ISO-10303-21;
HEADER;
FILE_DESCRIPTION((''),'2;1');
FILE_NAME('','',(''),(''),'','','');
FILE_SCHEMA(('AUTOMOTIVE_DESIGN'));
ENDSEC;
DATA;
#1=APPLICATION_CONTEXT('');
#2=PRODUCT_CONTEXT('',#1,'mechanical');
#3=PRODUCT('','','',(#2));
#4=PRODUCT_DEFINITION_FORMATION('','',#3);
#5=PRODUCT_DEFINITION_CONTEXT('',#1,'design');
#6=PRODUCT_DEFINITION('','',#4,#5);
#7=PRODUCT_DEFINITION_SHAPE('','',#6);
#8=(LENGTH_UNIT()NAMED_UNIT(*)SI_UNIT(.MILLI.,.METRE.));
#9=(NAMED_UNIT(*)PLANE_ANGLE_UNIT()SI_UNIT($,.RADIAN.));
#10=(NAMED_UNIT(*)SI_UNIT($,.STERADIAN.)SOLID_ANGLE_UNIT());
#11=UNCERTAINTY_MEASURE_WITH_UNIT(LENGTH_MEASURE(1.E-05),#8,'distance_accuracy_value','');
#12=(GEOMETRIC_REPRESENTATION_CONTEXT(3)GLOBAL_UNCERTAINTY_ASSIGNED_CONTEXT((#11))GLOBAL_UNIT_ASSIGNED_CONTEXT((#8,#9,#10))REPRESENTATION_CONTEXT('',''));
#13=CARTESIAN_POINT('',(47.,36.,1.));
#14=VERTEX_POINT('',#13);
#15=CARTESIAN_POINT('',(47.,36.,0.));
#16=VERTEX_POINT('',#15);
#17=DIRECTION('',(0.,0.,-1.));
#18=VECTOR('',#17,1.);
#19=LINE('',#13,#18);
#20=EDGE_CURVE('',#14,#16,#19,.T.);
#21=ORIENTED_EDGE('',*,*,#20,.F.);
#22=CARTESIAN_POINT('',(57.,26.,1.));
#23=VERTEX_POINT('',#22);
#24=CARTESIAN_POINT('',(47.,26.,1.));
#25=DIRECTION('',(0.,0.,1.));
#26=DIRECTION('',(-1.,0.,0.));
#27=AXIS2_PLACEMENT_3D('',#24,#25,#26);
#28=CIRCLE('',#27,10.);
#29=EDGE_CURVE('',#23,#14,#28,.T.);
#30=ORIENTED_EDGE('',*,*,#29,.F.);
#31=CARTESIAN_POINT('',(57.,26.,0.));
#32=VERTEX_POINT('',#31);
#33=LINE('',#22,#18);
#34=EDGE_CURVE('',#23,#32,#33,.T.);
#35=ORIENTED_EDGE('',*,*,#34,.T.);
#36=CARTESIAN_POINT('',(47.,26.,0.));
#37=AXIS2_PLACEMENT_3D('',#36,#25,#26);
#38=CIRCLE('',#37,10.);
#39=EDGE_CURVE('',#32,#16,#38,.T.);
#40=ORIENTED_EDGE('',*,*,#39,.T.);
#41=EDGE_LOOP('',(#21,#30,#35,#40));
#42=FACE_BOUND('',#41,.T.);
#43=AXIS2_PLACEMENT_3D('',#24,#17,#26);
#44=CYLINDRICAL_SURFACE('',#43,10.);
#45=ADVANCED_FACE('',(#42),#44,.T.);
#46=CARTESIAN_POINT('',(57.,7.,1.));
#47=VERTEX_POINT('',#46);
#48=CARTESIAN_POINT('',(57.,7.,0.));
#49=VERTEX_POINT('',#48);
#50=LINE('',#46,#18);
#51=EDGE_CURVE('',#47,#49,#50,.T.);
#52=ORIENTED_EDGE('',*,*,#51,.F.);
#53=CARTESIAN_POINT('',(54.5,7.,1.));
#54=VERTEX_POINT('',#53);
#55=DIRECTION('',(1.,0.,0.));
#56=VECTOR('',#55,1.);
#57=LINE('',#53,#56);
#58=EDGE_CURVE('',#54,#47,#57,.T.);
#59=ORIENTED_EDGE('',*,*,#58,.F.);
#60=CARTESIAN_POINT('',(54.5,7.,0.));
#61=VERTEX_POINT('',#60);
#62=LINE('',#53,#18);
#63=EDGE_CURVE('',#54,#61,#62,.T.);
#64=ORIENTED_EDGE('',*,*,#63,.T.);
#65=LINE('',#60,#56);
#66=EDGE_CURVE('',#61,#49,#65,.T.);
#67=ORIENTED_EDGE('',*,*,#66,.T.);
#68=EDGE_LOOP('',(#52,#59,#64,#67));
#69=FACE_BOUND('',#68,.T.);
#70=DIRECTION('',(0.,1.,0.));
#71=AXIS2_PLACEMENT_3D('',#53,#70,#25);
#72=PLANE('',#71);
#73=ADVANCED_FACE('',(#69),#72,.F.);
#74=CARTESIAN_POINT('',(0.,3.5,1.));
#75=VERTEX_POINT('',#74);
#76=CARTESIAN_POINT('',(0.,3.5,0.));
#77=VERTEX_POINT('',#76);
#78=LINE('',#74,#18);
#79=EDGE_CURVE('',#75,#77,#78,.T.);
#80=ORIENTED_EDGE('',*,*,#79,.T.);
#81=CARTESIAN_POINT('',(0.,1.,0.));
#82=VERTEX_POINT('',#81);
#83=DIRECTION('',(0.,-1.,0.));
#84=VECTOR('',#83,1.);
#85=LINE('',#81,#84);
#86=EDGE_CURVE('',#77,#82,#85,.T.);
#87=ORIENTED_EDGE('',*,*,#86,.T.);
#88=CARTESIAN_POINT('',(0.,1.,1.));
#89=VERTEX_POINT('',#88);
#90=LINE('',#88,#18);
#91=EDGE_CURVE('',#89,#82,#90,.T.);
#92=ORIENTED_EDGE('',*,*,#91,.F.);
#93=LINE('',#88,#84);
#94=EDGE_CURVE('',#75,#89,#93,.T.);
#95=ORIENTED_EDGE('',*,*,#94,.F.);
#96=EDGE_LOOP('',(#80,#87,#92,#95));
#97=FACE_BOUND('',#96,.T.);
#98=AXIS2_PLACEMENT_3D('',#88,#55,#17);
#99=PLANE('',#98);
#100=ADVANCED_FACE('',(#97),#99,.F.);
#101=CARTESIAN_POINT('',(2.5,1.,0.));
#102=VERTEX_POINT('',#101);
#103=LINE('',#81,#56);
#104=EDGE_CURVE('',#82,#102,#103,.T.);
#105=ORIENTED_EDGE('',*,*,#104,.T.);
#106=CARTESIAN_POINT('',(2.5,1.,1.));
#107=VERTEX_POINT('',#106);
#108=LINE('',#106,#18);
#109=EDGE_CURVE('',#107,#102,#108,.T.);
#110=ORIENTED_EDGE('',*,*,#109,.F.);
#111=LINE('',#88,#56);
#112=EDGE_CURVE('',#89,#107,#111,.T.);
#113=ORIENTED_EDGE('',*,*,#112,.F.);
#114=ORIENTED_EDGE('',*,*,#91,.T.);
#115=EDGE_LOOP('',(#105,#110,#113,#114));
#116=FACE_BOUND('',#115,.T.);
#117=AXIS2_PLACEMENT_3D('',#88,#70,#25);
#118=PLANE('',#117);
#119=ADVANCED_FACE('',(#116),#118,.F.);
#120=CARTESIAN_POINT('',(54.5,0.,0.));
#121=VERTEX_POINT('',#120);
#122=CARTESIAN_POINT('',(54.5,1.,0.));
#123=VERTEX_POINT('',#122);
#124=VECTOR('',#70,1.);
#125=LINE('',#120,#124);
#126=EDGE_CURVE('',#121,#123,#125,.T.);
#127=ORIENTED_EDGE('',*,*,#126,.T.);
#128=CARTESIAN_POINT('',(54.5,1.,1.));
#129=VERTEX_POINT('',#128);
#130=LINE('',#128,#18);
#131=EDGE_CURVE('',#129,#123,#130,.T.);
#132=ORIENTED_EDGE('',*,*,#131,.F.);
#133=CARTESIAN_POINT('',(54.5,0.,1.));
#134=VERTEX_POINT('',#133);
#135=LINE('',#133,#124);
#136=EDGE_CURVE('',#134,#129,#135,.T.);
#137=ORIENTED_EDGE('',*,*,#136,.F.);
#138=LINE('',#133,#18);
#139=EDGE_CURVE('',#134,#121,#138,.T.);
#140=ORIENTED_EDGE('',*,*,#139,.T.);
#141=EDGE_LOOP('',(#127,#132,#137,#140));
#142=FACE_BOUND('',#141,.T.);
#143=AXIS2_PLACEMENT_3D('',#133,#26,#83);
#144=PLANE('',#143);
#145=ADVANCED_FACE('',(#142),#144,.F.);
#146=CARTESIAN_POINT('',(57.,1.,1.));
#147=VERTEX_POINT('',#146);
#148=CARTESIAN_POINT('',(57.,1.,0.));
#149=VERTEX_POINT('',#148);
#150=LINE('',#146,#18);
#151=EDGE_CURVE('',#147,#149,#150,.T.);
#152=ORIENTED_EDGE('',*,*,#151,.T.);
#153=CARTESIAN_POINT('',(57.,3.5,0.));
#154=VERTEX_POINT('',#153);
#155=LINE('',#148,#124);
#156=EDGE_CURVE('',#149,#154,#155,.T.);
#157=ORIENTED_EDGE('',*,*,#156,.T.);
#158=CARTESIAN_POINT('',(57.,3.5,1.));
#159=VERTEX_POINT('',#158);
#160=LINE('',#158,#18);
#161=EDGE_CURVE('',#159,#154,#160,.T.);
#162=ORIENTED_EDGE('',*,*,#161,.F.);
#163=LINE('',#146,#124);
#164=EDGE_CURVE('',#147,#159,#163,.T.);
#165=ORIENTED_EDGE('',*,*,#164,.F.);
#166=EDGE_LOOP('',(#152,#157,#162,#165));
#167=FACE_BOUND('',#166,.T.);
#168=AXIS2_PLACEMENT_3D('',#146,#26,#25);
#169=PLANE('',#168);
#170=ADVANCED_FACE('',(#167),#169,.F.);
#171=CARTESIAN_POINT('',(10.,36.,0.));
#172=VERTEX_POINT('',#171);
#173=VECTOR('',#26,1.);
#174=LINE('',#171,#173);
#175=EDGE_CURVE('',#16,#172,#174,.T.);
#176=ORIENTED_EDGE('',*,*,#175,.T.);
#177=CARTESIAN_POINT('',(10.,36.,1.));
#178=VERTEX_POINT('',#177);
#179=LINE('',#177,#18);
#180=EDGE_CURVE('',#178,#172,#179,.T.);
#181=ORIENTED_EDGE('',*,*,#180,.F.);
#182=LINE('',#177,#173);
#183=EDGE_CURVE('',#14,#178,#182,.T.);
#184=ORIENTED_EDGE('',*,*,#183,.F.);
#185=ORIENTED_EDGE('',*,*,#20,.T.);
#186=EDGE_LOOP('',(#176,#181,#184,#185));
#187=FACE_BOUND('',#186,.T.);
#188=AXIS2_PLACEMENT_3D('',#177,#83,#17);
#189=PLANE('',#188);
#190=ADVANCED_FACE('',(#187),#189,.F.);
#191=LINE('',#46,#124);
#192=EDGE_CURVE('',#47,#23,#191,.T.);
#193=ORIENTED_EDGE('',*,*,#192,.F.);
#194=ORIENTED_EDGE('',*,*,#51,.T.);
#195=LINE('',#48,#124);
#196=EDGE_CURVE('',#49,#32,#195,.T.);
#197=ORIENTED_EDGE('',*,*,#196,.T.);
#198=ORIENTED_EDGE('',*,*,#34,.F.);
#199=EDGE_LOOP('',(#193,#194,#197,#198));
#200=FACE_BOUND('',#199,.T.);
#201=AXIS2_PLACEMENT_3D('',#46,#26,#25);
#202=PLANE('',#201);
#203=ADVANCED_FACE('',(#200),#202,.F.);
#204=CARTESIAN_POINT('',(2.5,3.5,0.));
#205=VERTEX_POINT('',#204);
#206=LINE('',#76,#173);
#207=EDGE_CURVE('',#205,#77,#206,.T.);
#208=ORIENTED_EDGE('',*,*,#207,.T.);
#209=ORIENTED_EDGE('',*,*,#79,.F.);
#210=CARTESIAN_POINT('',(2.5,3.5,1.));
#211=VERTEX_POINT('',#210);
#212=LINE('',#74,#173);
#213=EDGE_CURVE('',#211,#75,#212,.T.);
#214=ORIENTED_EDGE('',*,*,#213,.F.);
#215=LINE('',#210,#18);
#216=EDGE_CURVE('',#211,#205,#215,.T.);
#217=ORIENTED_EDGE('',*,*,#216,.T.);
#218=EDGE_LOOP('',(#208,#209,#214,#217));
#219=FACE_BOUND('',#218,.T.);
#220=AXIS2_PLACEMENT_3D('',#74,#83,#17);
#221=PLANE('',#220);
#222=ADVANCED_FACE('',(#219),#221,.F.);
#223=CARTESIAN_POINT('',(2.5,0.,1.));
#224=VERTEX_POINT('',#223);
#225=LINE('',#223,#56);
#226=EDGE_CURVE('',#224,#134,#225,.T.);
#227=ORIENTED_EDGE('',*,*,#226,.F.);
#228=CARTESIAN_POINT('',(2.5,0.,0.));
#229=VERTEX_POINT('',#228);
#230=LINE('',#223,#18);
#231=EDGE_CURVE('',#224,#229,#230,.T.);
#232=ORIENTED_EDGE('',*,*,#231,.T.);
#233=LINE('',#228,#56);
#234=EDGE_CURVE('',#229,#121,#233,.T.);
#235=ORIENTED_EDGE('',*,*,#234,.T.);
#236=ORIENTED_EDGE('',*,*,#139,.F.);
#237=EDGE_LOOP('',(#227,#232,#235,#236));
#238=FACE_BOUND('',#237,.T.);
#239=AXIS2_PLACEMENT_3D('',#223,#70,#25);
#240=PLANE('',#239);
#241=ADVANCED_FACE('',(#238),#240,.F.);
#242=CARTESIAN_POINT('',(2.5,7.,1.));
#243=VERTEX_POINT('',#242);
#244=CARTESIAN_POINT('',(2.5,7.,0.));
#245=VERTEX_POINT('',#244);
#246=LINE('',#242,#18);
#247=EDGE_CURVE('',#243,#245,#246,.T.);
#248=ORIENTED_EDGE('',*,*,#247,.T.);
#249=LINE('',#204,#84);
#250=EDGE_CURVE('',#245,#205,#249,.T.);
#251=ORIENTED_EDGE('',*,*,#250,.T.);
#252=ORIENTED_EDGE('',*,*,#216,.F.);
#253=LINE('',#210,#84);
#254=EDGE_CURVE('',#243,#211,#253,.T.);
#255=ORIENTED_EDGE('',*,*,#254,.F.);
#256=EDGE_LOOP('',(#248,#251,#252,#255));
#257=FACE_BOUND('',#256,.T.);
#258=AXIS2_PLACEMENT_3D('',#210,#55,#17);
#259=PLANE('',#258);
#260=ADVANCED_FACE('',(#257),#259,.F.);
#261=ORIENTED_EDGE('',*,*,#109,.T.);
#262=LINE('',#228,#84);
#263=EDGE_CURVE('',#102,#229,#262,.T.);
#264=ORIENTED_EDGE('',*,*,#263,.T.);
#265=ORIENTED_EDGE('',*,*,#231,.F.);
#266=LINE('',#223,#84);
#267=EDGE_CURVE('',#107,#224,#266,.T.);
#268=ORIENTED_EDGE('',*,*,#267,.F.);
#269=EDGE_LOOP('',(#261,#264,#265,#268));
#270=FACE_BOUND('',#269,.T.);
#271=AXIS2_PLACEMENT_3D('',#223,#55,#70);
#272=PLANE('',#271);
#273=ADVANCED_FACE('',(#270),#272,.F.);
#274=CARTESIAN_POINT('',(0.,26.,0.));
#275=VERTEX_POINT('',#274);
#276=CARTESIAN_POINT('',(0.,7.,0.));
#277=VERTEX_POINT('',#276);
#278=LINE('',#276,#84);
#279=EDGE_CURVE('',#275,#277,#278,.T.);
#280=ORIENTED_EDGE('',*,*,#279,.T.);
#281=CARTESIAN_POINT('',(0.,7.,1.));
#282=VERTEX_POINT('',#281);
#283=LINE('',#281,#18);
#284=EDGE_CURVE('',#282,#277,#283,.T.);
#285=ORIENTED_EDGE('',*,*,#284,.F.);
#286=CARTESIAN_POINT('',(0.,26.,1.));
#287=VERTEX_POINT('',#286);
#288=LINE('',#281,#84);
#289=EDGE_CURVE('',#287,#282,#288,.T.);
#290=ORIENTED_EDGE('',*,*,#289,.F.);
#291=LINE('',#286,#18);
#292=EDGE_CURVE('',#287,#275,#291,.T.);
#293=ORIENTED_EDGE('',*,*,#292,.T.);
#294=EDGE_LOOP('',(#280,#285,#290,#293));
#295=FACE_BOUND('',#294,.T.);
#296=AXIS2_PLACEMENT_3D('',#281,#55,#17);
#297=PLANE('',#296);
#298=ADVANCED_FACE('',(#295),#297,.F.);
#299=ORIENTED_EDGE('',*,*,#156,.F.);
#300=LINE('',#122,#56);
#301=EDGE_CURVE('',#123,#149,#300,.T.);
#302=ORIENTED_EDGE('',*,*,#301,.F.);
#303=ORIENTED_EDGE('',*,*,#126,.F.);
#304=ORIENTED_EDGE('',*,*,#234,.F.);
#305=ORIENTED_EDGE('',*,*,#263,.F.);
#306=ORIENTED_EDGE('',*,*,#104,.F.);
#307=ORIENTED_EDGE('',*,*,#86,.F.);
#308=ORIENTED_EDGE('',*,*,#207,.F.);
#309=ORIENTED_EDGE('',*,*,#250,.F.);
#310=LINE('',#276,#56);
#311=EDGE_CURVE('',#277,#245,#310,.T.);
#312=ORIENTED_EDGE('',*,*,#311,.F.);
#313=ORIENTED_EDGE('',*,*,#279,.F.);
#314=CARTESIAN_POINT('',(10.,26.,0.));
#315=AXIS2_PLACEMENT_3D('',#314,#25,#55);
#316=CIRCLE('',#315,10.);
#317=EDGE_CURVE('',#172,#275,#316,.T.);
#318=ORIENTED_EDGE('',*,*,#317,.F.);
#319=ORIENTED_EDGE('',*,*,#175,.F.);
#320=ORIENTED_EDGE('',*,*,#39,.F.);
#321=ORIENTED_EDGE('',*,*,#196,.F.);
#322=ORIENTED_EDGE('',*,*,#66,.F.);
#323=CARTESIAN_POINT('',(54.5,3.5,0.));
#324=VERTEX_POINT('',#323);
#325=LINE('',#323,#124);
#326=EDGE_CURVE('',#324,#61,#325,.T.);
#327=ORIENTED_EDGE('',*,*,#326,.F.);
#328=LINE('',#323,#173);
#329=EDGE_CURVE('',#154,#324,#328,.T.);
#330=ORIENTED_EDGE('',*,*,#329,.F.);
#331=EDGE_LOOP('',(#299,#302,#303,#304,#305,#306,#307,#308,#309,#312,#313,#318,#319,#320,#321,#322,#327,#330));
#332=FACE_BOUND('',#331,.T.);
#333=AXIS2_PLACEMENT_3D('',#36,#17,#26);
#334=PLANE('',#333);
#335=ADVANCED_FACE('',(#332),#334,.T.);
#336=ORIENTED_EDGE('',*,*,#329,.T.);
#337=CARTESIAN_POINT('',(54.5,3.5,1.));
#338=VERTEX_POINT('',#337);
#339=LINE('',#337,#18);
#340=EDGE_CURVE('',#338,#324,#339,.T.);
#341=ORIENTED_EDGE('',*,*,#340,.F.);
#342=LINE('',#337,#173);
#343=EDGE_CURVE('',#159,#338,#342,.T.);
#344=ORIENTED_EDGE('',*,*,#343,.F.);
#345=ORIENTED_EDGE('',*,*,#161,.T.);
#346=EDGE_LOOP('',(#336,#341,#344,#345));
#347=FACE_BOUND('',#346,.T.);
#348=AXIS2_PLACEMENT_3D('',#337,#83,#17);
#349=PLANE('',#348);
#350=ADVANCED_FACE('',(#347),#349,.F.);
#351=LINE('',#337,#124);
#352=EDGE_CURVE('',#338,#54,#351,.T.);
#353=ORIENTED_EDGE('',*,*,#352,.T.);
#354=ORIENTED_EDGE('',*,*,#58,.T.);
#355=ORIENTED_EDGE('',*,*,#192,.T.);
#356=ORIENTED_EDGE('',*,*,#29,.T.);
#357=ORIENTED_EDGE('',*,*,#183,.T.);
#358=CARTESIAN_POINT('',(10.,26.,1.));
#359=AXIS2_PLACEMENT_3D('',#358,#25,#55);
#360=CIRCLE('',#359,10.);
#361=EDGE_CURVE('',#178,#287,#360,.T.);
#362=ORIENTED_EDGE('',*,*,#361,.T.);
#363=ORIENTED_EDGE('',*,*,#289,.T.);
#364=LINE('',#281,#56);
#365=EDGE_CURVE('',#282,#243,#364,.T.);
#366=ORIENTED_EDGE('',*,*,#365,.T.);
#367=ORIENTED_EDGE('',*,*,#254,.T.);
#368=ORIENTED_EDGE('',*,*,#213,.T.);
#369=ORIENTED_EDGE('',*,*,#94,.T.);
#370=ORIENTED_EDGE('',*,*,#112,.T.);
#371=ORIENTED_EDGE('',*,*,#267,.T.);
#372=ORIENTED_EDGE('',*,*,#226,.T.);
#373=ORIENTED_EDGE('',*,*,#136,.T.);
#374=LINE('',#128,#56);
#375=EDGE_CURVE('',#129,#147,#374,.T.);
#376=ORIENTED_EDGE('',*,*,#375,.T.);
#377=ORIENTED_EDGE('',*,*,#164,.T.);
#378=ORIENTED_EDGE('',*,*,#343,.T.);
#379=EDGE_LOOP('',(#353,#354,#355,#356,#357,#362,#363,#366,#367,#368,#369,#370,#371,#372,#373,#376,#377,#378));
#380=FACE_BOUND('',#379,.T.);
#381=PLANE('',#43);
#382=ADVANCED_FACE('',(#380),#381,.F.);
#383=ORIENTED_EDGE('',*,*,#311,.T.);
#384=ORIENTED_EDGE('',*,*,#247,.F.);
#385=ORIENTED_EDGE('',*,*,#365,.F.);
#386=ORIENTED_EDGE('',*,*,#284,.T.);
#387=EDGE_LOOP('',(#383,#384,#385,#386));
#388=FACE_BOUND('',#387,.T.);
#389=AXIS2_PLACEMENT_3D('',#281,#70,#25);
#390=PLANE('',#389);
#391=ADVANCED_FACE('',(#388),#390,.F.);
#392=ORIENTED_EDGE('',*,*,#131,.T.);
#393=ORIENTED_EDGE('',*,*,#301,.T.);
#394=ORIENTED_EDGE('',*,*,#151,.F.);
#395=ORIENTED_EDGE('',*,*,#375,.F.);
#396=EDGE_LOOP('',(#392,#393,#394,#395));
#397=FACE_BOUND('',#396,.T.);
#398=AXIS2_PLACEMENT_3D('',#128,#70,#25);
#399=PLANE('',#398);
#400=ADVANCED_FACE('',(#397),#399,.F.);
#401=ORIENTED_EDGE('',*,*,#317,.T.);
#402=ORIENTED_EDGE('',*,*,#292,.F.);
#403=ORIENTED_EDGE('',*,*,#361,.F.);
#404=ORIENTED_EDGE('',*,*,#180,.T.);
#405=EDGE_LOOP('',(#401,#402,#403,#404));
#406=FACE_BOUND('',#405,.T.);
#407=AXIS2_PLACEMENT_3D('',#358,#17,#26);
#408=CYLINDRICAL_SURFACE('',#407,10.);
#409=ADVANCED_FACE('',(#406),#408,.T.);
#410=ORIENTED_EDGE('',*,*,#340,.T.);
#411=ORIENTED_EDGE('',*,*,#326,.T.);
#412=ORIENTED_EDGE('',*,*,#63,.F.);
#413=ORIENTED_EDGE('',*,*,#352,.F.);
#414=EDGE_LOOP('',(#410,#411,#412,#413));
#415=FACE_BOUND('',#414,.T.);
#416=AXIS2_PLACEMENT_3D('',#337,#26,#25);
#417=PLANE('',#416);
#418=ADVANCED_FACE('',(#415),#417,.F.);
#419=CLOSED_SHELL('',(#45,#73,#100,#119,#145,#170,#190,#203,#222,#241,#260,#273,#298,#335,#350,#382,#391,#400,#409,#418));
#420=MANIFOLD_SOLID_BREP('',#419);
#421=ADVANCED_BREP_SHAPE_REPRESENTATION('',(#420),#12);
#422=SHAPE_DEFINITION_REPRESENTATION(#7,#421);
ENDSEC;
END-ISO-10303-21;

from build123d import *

# Parameters (mm, degrees)
BOSS_EXTRUDE1_DEPTH = 1


with BuildPart() as part:
    # Sketch1 → Boss-Extrude1 (new body)
    with BuildSketch(Plane.XY):
        with BuildLine():
            Line((0, 1), (2.5, 1))
            Line((2.5, 1), (2.5, 0))
            Line((2.5, 0), (54.5, 0))
            Line((54.5, 0), (54.5, 1))
            Line((54.5, 1), (57, 1))
            Line((57, 1), (57, 3.5))
            Line((57, 3.5), (54.5, 3.5))
            Line((54.5, 3.5), (54.5, 7))
            Line((54.5, 7), (57, 7))
            Line((57, 7), (57, 26))
            ThreePointArc((57, 26), (54.071067812, 33.071067812), (47, 36))
            Line((47, 36), (10, 36))
            ThreePointArc((10, 36), (2.928932188, 33.071067812), (0, 26))
            Line((0, 26), (0, 7))
            Line((0, 7), (2.5, 7))
            Line((2.5, 7), (2.5, 3.5))
            Line((2.5, 3.5), (0, 3.5))
            Line((0, 3.5), (0, 1))
        make_face()
    extrude(amount=BOSS_EXTRUDE1_DEPTH)


solid = part.part
